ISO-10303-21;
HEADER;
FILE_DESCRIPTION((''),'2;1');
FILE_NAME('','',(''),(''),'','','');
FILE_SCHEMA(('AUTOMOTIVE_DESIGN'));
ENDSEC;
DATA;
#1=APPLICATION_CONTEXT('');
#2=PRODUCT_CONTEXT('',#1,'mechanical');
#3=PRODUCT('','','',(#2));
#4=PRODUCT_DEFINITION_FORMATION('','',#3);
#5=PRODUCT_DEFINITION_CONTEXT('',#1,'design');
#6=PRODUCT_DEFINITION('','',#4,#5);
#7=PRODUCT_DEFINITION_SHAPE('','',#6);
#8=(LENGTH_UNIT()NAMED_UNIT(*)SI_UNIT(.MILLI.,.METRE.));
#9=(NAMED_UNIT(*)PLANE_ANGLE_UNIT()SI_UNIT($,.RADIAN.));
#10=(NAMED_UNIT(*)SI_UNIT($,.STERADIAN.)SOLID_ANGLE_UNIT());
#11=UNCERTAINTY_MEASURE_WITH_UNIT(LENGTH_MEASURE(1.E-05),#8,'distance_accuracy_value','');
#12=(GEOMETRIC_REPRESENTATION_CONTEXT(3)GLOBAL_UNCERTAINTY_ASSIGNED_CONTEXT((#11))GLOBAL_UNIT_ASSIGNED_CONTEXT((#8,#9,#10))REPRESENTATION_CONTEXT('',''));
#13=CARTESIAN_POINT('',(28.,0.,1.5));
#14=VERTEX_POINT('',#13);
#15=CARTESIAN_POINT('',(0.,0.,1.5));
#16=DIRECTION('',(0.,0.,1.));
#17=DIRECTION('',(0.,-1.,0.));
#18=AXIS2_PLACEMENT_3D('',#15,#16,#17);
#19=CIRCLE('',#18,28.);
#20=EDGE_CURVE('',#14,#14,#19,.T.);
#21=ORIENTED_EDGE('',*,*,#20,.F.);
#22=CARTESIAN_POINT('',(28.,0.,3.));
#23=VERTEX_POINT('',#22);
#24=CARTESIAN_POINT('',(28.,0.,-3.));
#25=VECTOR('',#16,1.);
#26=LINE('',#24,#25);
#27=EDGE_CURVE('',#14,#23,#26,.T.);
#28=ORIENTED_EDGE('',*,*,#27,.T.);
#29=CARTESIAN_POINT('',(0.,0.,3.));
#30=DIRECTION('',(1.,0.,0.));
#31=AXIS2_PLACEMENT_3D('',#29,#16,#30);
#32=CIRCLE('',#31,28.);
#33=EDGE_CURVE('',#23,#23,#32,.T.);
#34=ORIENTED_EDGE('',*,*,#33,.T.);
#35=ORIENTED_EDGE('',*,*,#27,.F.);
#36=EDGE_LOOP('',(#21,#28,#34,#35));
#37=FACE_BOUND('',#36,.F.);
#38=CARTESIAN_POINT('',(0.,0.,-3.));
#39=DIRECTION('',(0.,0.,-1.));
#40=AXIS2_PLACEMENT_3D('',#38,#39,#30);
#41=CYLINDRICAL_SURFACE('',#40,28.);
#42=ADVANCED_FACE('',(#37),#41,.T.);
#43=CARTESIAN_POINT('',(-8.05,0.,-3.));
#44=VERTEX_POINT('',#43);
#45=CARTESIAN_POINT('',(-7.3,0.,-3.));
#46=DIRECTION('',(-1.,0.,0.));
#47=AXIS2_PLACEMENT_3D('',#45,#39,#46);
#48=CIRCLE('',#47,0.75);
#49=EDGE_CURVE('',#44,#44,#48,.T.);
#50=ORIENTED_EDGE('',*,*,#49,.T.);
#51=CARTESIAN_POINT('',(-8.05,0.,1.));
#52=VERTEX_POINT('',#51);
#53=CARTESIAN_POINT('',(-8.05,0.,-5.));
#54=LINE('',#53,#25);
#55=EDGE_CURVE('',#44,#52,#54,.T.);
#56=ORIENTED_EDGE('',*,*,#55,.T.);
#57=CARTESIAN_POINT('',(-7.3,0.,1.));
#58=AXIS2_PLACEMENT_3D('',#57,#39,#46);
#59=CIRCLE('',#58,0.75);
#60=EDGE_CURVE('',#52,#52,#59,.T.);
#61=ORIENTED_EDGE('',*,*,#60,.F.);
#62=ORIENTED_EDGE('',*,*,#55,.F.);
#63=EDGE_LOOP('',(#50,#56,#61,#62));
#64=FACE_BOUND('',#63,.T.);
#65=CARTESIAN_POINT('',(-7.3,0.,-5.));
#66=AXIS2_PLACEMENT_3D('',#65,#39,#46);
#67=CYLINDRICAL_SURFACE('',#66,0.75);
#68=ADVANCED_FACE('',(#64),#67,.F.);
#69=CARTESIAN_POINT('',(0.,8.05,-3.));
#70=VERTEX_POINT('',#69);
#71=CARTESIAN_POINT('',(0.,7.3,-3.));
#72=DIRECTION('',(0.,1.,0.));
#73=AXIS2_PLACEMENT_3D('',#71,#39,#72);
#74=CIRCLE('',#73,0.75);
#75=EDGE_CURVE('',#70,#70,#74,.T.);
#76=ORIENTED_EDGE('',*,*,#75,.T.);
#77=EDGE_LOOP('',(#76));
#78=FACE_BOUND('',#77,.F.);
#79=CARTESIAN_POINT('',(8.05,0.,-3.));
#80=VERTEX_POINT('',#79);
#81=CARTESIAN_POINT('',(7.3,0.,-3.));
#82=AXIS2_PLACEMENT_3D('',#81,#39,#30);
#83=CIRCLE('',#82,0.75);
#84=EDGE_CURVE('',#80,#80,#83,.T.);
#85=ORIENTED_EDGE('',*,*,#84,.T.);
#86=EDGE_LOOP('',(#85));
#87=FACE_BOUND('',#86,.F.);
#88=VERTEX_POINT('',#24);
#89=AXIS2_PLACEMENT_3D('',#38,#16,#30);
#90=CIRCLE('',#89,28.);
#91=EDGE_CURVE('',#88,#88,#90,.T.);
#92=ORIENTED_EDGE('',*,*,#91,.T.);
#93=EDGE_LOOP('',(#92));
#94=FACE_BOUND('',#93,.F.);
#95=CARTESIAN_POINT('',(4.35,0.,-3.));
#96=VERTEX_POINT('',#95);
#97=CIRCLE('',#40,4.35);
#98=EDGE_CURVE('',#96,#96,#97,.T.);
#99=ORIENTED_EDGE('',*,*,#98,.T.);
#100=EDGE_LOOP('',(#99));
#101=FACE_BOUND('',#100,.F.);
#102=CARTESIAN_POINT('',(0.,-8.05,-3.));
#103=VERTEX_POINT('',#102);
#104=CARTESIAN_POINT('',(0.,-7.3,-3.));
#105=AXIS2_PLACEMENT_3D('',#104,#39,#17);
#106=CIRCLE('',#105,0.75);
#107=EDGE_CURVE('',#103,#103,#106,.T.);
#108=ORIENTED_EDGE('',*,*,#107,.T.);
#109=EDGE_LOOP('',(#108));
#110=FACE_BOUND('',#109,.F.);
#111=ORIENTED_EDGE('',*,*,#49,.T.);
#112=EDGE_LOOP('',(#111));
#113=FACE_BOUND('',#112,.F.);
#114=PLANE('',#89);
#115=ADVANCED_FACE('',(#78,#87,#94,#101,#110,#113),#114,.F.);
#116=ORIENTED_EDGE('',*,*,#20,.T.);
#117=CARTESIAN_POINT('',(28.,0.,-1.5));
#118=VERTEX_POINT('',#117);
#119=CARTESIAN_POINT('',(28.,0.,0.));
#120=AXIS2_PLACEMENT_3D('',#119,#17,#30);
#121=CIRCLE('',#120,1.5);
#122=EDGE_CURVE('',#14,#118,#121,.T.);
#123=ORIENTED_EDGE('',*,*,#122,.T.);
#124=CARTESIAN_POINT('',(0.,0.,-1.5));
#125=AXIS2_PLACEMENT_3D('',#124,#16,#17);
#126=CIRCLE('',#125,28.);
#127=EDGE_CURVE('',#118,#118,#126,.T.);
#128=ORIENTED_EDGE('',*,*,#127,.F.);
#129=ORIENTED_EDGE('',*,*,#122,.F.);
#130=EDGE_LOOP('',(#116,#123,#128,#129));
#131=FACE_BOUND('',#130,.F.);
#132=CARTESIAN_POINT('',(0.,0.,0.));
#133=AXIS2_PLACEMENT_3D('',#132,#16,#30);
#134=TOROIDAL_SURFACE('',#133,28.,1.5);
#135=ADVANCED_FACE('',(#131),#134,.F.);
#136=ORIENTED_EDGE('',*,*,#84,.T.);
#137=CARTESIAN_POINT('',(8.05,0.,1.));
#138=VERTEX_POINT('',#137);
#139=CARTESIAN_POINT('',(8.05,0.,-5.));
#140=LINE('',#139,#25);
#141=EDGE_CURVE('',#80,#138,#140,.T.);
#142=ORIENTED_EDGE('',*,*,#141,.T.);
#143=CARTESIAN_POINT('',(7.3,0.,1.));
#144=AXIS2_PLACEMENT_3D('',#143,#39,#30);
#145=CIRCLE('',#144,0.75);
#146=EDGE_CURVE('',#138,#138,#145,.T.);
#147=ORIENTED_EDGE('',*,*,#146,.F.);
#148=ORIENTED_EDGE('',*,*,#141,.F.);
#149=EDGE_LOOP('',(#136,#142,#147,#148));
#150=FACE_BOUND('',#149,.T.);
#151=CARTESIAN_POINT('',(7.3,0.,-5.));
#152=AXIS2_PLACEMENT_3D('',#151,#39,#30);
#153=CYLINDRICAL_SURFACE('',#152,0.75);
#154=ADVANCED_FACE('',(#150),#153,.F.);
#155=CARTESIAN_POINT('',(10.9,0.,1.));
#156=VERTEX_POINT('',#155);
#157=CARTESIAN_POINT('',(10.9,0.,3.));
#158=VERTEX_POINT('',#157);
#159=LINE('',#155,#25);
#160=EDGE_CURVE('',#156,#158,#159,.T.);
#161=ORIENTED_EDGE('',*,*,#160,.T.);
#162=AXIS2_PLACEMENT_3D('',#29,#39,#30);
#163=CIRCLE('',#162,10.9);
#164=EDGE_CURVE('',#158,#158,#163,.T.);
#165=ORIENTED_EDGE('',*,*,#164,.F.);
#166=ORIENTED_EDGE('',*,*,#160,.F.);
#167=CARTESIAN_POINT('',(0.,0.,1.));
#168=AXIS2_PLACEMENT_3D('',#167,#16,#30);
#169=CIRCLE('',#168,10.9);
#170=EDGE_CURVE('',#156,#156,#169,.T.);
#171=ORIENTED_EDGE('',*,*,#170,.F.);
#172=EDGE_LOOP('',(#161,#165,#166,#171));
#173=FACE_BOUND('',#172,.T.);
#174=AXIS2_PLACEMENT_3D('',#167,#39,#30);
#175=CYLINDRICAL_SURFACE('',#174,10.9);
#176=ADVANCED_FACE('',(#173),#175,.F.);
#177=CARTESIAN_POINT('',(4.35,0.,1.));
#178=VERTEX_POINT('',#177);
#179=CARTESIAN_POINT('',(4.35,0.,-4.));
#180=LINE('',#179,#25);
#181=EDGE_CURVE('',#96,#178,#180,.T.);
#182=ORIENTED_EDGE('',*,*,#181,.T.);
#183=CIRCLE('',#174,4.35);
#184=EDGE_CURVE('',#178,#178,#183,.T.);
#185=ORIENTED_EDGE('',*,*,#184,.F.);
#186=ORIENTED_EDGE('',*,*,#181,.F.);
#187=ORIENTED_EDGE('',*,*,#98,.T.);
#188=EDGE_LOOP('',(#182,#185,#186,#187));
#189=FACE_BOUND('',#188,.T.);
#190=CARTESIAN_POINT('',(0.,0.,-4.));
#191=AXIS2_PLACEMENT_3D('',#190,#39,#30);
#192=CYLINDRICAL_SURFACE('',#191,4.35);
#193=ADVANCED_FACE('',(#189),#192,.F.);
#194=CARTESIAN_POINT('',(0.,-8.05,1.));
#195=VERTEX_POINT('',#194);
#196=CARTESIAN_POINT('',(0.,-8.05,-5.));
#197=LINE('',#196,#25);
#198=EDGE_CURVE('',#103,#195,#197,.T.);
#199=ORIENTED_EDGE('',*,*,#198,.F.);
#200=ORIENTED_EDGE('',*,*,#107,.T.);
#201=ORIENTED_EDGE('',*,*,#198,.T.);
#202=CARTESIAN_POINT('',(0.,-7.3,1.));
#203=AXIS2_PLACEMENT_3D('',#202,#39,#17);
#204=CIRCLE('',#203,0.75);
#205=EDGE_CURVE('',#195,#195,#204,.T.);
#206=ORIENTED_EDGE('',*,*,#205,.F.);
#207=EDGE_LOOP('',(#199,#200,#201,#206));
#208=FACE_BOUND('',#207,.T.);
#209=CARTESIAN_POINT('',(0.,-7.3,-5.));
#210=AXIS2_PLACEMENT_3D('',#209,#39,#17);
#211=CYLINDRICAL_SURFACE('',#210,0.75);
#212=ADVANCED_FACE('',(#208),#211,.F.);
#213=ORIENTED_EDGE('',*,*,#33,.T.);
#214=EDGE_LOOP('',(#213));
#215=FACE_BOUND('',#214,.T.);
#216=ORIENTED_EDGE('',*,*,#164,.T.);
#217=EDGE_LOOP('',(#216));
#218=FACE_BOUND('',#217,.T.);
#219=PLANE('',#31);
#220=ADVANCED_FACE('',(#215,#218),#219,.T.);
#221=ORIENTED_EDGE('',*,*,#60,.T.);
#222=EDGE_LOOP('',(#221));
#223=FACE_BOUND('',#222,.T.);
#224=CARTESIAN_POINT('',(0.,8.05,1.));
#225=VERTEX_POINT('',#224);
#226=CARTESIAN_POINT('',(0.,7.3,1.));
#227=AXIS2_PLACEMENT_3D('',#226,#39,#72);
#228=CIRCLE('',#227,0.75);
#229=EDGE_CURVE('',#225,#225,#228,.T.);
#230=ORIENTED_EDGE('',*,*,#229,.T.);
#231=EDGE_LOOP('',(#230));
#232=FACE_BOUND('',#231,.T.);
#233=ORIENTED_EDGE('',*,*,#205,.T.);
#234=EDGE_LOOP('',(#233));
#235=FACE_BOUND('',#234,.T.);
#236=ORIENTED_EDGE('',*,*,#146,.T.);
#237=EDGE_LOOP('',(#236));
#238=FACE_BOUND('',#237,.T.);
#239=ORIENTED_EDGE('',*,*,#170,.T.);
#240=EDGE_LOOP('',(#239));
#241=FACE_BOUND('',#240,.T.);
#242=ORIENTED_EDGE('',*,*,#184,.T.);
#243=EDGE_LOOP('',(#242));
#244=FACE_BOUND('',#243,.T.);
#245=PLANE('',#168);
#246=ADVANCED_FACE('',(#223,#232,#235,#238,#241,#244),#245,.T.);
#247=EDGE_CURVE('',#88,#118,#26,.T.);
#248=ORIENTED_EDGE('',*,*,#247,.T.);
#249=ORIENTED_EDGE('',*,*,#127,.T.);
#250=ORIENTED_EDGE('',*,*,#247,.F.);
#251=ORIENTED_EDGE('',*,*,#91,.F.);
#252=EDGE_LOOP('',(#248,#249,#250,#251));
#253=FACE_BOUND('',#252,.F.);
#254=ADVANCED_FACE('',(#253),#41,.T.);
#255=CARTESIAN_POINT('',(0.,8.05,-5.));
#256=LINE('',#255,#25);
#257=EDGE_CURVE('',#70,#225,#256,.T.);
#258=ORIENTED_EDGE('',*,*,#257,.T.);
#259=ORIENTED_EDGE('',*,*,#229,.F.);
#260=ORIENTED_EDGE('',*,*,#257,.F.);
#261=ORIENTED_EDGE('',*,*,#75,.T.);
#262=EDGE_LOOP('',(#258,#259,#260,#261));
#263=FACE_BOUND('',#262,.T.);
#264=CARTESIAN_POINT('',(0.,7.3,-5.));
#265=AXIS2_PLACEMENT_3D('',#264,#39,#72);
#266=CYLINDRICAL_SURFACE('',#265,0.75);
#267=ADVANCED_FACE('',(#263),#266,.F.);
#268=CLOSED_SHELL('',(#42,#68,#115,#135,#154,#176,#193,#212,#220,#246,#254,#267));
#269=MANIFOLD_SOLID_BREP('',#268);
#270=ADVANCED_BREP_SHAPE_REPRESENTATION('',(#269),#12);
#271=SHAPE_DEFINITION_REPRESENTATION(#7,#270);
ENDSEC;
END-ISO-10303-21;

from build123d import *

# Parameters (mm, degrees)
CYLINDER003_R     = 0.75
CYLINDER003_DEPTH = 10
ARRAY_COUNT       = 4
CYLINDER002_R     = 4.35
CYLINDER002_DEPTH = 10
CYLINDER001_R     = 10.9
CYLINDER001_DEPTH = 10
TORUS_R           = 1.5
CYLINDER_R        = 28
CYLINDER_DEPTH    = 6


with BuildPart() as array:
    # Cylinder003 → Cylinder003 (new body)
    with BuildSketch(Plane(origin=(7.3, 0, -5), x_dir=(1, 0, 0), z_dir=(0, 0, 1))):
        Circle(CYLINDER003_R)
    extrude(amount=CYLINDER003_DEPTH)

    # Array: Array ×4 about axis
    array_axis = Axis((0, 0, 0), (0, 0, 1))


with BuildPart() as array_1:
    add(array.part)
    for i in range(1, ARRAY_COUNT):
        add(array.part.rotate(array_axis, i * 360 / ARRAY_COUNT))


with BuildPart() as forat_eix:
    # Cylinder002 → Cylinder002 (new body)
    with BuildSketch(Plane.XY.offset(-4)):
        Circle(CYLINDER002_R)
    extrude(amount=CYLINDER002_DEPTH)


with BuildPart() as corona_servo:
    # Cylinder001 → Cylinder001 (new body)
    with BuildSketch(Plane.XY.offset(1)):
        Circle(CYLINDER001_R)
    extrude(amount=CYLINDER001_DEPTH)


with BuildPart() as espai_junta_tuerca:
    # Torus → Torus (revolve)
    with BuildSketch(Plane.XZ):
        with Locations((28, 0)):
            Circle(TORUS_R)
    revolve(axis=Axis((0, 0, 0), (0, 0, 1)))


with BuildPart() as roda_miniskybot:
    # Cylinder → Cylinder (new body)
    with BuildSketch(Plane.XY.offset(-3)):
        Circle(CYLINDER_R)
    extrude(amount=CYLINDER_DEPTH)

    # Cut: cut espai_junta_tuerca
    add(espai_junta_tuerca.part, mode=Mode.SUBTRACT)

    # Cut001: cut corona_servo
    add(corona_servo.part, mode=Mode.SUBTRACT)

    # Cut002: cut forat_eix
    add(forat_eix.part, mode=Mode.SUBTRACT)

    # Cut003: cut Array
    add(array_1.part, mode=Mode.SUBTRACT)


solid = roda_miniskybot.part
